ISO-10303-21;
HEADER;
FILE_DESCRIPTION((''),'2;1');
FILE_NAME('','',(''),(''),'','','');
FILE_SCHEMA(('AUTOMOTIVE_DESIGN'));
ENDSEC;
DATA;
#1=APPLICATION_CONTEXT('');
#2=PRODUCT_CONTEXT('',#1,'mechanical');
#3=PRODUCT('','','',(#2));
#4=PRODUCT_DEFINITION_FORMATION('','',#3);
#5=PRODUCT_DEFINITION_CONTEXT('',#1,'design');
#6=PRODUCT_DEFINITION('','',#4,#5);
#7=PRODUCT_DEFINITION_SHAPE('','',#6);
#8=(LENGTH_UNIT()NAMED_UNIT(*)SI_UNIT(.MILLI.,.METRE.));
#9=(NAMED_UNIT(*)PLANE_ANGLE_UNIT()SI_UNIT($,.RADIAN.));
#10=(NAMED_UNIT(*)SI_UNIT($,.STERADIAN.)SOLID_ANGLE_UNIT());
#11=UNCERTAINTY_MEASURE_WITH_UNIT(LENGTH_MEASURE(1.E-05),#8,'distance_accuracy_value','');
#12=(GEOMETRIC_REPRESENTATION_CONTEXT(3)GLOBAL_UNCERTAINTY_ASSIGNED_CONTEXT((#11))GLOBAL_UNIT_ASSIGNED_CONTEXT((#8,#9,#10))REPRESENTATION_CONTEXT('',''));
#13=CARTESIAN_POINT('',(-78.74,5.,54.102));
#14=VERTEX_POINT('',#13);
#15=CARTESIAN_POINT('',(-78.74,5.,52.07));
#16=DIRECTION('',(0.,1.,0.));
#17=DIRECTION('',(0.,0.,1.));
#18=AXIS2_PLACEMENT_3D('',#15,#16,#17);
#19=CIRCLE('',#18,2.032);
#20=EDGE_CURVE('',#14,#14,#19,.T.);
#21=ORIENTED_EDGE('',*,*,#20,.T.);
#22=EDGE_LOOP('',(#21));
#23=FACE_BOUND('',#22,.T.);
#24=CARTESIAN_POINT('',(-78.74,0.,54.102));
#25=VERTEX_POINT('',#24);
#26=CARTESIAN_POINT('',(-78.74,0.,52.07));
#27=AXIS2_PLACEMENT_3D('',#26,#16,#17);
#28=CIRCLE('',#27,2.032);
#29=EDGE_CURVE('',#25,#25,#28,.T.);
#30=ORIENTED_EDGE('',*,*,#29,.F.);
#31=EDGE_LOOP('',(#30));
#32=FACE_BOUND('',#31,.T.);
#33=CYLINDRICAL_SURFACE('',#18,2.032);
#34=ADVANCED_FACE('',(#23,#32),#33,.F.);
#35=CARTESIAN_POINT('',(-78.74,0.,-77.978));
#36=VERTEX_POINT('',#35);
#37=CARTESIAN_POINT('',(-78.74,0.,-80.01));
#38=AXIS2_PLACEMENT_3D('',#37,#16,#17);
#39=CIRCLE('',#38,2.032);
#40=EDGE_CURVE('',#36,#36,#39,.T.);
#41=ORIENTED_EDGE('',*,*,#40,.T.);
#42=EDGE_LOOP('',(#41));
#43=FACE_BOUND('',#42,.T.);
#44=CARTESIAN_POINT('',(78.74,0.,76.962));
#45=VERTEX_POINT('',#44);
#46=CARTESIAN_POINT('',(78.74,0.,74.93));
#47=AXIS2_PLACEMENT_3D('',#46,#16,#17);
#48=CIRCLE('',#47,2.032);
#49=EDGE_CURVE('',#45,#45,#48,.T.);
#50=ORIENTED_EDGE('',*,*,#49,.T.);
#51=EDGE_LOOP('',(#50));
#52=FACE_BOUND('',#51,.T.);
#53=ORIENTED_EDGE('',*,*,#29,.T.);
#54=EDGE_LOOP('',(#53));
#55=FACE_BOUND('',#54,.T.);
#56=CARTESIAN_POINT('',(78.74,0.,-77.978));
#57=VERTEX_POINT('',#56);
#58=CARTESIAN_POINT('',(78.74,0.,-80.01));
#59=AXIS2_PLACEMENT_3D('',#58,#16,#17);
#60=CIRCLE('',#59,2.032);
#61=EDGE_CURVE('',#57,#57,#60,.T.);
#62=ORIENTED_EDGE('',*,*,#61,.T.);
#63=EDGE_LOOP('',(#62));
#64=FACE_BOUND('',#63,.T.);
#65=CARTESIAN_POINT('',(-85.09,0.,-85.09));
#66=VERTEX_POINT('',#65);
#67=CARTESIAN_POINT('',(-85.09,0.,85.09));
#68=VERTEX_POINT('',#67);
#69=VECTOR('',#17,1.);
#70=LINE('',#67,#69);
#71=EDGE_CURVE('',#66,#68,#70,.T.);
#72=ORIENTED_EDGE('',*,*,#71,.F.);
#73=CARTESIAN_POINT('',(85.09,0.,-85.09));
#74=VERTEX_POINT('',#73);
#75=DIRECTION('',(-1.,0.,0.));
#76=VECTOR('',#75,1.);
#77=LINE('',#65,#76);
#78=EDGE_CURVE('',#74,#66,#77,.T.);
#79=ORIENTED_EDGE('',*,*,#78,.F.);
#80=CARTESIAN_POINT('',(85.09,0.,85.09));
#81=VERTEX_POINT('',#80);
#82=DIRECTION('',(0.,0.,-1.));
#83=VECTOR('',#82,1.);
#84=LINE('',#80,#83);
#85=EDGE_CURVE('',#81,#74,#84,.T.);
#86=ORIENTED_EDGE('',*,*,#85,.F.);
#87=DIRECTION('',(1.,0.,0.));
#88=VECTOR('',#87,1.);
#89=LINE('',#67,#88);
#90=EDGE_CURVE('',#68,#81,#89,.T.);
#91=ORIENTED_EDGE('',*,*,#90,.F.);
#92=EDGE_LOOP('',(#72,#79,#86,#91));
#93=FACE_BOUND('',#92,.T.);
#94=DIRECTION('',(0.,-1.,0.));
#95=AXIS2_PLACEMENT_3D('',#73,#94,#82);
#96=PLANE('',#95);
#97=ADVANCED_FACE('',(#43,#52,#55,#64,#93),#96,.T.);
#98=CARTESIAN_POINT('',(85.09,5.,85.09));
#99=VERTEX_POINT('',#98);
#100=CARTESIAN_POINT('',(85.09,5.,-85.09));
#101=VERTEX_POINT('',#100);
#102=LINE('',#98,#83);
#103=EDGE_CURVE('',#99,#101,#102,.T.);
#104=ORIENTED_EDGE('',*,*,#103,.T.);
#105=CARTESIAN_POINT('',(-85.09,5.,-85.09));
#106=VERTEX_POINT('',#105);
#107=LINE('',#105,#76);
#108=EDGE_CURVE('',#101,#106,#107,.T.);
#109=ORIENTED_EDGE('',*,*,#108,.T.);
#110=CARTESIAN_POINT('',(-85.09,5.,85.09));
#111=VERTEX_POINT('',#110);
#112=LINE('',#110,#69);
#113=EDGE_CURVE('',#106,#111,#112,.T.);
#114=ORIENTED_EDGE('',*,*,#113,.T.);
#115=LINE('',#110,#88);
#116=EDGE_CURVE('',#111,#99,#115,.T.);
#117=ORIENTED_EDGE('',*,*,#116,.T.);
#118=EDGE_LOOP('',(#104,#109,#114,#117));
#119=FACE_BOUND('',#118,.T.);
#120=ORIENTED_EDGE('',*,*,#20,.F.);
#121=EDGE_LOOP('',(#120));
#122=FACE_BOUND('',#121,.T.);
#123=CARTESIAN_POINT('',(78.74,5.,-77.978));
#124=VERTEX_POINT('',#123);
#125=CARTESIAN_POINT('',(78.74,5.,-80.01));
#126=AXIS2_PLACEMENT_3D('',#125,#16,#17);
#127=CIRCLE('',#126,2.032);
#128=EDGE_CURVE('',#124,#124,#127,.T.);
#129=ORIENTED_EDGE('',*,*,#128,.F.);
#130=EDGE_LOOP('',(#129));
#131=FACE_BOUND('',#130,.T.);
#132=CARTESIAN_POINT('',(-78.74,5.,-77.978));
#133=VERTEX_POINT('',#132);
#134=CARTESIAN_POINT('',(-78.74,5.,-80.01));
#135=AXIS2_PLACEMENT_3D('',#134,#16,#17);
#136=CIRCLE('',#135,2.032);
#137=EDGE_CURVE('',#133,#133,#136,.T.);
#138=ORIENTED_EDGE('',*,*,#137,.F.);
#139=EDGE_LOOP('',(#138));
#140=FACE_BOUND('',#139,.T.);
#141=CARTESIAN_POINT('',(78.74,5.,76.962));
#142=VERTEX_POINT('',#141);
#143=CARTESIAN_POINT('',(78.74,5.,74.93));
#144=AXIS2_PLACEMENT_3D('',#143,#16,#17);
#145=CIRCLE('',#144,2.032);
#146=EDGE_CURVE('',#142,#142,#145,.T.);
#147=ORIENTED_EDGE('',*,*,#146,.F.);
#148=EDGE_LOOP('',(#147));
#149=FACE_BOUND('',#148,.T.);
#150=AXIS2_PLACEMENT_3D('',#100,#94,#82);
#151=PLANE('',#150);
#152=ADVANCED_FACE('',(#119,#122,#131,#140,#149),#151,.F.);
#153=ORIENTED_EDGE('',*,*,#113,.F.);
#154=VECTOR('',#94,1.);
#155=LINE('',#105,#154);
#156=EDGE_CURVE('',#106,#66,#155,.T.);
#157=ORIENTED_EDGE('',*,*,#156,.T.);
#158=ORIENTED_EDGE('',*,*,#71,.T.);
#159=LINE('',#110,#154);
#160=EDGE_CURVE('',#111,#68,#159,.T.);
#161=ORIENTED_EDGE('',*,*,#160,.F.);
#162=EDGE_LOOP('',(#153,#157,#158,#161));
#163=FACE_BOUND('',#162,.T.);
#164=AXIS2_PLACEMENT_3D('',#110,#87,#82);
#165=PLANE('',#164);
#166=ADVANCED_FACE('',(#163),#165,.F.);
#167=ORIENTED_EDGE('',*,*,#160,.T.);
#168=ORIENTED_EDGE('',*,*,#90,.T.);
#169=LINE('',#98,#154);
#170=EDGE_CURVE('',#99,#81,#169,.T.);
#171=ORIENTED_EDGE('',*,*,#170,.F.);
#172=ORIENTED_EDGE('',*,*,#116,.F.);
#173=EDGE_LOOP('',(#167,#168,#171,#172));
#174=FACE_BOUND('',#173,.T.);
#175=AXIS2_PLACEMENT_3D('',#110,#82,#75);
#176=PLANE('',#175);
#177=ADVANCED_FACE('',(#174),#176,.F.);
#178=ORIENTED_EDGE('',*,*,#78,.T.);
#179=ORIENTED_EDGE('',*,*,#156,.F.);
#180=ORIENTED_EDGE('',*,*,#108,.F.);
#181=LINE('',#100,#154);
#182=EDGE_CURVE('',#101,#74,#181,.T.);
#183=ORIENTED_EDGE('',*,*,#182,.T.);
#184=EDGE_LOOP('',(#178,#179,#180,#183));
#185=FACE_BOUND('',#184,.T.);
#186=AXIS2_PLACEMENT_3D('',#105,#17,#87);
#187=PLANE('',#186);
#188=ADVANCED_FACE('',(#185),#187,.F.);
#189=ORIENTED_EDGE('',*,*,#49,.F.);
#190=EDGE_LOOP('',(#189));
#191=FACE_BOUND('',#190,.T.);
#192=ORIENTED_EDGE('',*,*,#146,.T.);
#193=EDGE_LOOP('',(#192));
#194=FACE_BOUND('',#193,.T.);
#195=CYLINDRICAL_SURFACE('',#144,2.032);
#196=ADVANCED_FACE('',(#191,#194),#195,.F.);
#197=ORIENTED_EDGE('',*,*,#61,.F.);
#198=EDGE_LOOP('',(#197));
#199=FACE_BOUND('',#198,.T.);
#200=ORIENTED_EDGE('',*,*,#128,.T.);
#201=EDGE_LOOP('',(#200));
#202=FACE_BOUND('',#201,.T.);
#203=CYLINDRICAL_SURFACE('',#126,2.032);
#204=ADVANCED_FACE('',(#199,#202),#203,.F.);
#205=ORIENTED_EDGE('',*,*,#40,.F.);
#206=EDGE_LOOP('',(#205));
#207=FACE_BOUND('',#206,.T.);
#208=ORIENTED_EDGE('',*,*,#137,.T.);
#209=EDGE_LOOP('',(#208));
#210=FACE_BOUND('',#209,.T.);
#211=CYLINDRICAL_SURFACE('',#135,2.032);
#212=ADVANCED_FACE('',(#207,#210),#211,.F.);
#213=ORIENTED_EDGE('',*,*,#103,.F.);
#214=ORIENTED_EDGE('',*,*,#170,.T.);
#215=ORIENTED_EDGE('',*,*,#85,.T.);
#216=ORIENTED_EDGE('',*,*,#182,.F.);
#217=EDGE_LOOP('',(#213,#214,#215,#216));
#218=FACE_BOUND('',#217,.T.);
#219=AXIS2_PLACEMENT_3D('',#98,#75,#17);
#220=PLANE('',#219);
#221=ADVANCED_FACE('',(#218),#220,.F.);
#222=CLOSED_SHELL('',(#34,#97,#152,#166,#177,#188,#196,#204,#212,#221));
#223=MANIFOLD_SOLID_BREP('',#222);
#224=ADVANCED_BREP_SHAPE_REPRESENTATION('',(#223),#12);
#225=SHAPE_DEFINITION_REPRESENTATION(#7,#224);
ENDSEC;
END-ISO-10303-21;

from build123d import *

# Parameters (mm, degrees)
SKETCH1_W                 = 170.18
SKETCH1_H                 = 170.18
BOSS_EXTRUDE1_DEPTH       = 5
F_0_16_1_DIAMETER_HOLE1_D = 4.064


with BuildPart() as part:
    # Sketch1 → Boss-Extrude1 (new body)
    with BuildSketch(Plane(origin=(0, 0, 0), x_dir=(1, 0, 0), z_dir=(0, 1, 0))):
        Rectangle(SKETCH1_W, SKETCH1_H)
    extrude(amount=BOSS_EXTRUDE1_DEPTH)

    # 0.16 (1) Diameter Hole1 (through all)
    with Locations(Plane(origin=(0, 5, 0), x_dir=(-1, 0, 0), z_dir=(0, 1, 0))):
        with Locations((78.74, -80.01), (-78.74, -80.01), (-78.74, 74.93), (78.74, 52.07)):
            Hole(F_0_16_1_DIAMETER_HOLE1_D / 2)


solid = part.part
